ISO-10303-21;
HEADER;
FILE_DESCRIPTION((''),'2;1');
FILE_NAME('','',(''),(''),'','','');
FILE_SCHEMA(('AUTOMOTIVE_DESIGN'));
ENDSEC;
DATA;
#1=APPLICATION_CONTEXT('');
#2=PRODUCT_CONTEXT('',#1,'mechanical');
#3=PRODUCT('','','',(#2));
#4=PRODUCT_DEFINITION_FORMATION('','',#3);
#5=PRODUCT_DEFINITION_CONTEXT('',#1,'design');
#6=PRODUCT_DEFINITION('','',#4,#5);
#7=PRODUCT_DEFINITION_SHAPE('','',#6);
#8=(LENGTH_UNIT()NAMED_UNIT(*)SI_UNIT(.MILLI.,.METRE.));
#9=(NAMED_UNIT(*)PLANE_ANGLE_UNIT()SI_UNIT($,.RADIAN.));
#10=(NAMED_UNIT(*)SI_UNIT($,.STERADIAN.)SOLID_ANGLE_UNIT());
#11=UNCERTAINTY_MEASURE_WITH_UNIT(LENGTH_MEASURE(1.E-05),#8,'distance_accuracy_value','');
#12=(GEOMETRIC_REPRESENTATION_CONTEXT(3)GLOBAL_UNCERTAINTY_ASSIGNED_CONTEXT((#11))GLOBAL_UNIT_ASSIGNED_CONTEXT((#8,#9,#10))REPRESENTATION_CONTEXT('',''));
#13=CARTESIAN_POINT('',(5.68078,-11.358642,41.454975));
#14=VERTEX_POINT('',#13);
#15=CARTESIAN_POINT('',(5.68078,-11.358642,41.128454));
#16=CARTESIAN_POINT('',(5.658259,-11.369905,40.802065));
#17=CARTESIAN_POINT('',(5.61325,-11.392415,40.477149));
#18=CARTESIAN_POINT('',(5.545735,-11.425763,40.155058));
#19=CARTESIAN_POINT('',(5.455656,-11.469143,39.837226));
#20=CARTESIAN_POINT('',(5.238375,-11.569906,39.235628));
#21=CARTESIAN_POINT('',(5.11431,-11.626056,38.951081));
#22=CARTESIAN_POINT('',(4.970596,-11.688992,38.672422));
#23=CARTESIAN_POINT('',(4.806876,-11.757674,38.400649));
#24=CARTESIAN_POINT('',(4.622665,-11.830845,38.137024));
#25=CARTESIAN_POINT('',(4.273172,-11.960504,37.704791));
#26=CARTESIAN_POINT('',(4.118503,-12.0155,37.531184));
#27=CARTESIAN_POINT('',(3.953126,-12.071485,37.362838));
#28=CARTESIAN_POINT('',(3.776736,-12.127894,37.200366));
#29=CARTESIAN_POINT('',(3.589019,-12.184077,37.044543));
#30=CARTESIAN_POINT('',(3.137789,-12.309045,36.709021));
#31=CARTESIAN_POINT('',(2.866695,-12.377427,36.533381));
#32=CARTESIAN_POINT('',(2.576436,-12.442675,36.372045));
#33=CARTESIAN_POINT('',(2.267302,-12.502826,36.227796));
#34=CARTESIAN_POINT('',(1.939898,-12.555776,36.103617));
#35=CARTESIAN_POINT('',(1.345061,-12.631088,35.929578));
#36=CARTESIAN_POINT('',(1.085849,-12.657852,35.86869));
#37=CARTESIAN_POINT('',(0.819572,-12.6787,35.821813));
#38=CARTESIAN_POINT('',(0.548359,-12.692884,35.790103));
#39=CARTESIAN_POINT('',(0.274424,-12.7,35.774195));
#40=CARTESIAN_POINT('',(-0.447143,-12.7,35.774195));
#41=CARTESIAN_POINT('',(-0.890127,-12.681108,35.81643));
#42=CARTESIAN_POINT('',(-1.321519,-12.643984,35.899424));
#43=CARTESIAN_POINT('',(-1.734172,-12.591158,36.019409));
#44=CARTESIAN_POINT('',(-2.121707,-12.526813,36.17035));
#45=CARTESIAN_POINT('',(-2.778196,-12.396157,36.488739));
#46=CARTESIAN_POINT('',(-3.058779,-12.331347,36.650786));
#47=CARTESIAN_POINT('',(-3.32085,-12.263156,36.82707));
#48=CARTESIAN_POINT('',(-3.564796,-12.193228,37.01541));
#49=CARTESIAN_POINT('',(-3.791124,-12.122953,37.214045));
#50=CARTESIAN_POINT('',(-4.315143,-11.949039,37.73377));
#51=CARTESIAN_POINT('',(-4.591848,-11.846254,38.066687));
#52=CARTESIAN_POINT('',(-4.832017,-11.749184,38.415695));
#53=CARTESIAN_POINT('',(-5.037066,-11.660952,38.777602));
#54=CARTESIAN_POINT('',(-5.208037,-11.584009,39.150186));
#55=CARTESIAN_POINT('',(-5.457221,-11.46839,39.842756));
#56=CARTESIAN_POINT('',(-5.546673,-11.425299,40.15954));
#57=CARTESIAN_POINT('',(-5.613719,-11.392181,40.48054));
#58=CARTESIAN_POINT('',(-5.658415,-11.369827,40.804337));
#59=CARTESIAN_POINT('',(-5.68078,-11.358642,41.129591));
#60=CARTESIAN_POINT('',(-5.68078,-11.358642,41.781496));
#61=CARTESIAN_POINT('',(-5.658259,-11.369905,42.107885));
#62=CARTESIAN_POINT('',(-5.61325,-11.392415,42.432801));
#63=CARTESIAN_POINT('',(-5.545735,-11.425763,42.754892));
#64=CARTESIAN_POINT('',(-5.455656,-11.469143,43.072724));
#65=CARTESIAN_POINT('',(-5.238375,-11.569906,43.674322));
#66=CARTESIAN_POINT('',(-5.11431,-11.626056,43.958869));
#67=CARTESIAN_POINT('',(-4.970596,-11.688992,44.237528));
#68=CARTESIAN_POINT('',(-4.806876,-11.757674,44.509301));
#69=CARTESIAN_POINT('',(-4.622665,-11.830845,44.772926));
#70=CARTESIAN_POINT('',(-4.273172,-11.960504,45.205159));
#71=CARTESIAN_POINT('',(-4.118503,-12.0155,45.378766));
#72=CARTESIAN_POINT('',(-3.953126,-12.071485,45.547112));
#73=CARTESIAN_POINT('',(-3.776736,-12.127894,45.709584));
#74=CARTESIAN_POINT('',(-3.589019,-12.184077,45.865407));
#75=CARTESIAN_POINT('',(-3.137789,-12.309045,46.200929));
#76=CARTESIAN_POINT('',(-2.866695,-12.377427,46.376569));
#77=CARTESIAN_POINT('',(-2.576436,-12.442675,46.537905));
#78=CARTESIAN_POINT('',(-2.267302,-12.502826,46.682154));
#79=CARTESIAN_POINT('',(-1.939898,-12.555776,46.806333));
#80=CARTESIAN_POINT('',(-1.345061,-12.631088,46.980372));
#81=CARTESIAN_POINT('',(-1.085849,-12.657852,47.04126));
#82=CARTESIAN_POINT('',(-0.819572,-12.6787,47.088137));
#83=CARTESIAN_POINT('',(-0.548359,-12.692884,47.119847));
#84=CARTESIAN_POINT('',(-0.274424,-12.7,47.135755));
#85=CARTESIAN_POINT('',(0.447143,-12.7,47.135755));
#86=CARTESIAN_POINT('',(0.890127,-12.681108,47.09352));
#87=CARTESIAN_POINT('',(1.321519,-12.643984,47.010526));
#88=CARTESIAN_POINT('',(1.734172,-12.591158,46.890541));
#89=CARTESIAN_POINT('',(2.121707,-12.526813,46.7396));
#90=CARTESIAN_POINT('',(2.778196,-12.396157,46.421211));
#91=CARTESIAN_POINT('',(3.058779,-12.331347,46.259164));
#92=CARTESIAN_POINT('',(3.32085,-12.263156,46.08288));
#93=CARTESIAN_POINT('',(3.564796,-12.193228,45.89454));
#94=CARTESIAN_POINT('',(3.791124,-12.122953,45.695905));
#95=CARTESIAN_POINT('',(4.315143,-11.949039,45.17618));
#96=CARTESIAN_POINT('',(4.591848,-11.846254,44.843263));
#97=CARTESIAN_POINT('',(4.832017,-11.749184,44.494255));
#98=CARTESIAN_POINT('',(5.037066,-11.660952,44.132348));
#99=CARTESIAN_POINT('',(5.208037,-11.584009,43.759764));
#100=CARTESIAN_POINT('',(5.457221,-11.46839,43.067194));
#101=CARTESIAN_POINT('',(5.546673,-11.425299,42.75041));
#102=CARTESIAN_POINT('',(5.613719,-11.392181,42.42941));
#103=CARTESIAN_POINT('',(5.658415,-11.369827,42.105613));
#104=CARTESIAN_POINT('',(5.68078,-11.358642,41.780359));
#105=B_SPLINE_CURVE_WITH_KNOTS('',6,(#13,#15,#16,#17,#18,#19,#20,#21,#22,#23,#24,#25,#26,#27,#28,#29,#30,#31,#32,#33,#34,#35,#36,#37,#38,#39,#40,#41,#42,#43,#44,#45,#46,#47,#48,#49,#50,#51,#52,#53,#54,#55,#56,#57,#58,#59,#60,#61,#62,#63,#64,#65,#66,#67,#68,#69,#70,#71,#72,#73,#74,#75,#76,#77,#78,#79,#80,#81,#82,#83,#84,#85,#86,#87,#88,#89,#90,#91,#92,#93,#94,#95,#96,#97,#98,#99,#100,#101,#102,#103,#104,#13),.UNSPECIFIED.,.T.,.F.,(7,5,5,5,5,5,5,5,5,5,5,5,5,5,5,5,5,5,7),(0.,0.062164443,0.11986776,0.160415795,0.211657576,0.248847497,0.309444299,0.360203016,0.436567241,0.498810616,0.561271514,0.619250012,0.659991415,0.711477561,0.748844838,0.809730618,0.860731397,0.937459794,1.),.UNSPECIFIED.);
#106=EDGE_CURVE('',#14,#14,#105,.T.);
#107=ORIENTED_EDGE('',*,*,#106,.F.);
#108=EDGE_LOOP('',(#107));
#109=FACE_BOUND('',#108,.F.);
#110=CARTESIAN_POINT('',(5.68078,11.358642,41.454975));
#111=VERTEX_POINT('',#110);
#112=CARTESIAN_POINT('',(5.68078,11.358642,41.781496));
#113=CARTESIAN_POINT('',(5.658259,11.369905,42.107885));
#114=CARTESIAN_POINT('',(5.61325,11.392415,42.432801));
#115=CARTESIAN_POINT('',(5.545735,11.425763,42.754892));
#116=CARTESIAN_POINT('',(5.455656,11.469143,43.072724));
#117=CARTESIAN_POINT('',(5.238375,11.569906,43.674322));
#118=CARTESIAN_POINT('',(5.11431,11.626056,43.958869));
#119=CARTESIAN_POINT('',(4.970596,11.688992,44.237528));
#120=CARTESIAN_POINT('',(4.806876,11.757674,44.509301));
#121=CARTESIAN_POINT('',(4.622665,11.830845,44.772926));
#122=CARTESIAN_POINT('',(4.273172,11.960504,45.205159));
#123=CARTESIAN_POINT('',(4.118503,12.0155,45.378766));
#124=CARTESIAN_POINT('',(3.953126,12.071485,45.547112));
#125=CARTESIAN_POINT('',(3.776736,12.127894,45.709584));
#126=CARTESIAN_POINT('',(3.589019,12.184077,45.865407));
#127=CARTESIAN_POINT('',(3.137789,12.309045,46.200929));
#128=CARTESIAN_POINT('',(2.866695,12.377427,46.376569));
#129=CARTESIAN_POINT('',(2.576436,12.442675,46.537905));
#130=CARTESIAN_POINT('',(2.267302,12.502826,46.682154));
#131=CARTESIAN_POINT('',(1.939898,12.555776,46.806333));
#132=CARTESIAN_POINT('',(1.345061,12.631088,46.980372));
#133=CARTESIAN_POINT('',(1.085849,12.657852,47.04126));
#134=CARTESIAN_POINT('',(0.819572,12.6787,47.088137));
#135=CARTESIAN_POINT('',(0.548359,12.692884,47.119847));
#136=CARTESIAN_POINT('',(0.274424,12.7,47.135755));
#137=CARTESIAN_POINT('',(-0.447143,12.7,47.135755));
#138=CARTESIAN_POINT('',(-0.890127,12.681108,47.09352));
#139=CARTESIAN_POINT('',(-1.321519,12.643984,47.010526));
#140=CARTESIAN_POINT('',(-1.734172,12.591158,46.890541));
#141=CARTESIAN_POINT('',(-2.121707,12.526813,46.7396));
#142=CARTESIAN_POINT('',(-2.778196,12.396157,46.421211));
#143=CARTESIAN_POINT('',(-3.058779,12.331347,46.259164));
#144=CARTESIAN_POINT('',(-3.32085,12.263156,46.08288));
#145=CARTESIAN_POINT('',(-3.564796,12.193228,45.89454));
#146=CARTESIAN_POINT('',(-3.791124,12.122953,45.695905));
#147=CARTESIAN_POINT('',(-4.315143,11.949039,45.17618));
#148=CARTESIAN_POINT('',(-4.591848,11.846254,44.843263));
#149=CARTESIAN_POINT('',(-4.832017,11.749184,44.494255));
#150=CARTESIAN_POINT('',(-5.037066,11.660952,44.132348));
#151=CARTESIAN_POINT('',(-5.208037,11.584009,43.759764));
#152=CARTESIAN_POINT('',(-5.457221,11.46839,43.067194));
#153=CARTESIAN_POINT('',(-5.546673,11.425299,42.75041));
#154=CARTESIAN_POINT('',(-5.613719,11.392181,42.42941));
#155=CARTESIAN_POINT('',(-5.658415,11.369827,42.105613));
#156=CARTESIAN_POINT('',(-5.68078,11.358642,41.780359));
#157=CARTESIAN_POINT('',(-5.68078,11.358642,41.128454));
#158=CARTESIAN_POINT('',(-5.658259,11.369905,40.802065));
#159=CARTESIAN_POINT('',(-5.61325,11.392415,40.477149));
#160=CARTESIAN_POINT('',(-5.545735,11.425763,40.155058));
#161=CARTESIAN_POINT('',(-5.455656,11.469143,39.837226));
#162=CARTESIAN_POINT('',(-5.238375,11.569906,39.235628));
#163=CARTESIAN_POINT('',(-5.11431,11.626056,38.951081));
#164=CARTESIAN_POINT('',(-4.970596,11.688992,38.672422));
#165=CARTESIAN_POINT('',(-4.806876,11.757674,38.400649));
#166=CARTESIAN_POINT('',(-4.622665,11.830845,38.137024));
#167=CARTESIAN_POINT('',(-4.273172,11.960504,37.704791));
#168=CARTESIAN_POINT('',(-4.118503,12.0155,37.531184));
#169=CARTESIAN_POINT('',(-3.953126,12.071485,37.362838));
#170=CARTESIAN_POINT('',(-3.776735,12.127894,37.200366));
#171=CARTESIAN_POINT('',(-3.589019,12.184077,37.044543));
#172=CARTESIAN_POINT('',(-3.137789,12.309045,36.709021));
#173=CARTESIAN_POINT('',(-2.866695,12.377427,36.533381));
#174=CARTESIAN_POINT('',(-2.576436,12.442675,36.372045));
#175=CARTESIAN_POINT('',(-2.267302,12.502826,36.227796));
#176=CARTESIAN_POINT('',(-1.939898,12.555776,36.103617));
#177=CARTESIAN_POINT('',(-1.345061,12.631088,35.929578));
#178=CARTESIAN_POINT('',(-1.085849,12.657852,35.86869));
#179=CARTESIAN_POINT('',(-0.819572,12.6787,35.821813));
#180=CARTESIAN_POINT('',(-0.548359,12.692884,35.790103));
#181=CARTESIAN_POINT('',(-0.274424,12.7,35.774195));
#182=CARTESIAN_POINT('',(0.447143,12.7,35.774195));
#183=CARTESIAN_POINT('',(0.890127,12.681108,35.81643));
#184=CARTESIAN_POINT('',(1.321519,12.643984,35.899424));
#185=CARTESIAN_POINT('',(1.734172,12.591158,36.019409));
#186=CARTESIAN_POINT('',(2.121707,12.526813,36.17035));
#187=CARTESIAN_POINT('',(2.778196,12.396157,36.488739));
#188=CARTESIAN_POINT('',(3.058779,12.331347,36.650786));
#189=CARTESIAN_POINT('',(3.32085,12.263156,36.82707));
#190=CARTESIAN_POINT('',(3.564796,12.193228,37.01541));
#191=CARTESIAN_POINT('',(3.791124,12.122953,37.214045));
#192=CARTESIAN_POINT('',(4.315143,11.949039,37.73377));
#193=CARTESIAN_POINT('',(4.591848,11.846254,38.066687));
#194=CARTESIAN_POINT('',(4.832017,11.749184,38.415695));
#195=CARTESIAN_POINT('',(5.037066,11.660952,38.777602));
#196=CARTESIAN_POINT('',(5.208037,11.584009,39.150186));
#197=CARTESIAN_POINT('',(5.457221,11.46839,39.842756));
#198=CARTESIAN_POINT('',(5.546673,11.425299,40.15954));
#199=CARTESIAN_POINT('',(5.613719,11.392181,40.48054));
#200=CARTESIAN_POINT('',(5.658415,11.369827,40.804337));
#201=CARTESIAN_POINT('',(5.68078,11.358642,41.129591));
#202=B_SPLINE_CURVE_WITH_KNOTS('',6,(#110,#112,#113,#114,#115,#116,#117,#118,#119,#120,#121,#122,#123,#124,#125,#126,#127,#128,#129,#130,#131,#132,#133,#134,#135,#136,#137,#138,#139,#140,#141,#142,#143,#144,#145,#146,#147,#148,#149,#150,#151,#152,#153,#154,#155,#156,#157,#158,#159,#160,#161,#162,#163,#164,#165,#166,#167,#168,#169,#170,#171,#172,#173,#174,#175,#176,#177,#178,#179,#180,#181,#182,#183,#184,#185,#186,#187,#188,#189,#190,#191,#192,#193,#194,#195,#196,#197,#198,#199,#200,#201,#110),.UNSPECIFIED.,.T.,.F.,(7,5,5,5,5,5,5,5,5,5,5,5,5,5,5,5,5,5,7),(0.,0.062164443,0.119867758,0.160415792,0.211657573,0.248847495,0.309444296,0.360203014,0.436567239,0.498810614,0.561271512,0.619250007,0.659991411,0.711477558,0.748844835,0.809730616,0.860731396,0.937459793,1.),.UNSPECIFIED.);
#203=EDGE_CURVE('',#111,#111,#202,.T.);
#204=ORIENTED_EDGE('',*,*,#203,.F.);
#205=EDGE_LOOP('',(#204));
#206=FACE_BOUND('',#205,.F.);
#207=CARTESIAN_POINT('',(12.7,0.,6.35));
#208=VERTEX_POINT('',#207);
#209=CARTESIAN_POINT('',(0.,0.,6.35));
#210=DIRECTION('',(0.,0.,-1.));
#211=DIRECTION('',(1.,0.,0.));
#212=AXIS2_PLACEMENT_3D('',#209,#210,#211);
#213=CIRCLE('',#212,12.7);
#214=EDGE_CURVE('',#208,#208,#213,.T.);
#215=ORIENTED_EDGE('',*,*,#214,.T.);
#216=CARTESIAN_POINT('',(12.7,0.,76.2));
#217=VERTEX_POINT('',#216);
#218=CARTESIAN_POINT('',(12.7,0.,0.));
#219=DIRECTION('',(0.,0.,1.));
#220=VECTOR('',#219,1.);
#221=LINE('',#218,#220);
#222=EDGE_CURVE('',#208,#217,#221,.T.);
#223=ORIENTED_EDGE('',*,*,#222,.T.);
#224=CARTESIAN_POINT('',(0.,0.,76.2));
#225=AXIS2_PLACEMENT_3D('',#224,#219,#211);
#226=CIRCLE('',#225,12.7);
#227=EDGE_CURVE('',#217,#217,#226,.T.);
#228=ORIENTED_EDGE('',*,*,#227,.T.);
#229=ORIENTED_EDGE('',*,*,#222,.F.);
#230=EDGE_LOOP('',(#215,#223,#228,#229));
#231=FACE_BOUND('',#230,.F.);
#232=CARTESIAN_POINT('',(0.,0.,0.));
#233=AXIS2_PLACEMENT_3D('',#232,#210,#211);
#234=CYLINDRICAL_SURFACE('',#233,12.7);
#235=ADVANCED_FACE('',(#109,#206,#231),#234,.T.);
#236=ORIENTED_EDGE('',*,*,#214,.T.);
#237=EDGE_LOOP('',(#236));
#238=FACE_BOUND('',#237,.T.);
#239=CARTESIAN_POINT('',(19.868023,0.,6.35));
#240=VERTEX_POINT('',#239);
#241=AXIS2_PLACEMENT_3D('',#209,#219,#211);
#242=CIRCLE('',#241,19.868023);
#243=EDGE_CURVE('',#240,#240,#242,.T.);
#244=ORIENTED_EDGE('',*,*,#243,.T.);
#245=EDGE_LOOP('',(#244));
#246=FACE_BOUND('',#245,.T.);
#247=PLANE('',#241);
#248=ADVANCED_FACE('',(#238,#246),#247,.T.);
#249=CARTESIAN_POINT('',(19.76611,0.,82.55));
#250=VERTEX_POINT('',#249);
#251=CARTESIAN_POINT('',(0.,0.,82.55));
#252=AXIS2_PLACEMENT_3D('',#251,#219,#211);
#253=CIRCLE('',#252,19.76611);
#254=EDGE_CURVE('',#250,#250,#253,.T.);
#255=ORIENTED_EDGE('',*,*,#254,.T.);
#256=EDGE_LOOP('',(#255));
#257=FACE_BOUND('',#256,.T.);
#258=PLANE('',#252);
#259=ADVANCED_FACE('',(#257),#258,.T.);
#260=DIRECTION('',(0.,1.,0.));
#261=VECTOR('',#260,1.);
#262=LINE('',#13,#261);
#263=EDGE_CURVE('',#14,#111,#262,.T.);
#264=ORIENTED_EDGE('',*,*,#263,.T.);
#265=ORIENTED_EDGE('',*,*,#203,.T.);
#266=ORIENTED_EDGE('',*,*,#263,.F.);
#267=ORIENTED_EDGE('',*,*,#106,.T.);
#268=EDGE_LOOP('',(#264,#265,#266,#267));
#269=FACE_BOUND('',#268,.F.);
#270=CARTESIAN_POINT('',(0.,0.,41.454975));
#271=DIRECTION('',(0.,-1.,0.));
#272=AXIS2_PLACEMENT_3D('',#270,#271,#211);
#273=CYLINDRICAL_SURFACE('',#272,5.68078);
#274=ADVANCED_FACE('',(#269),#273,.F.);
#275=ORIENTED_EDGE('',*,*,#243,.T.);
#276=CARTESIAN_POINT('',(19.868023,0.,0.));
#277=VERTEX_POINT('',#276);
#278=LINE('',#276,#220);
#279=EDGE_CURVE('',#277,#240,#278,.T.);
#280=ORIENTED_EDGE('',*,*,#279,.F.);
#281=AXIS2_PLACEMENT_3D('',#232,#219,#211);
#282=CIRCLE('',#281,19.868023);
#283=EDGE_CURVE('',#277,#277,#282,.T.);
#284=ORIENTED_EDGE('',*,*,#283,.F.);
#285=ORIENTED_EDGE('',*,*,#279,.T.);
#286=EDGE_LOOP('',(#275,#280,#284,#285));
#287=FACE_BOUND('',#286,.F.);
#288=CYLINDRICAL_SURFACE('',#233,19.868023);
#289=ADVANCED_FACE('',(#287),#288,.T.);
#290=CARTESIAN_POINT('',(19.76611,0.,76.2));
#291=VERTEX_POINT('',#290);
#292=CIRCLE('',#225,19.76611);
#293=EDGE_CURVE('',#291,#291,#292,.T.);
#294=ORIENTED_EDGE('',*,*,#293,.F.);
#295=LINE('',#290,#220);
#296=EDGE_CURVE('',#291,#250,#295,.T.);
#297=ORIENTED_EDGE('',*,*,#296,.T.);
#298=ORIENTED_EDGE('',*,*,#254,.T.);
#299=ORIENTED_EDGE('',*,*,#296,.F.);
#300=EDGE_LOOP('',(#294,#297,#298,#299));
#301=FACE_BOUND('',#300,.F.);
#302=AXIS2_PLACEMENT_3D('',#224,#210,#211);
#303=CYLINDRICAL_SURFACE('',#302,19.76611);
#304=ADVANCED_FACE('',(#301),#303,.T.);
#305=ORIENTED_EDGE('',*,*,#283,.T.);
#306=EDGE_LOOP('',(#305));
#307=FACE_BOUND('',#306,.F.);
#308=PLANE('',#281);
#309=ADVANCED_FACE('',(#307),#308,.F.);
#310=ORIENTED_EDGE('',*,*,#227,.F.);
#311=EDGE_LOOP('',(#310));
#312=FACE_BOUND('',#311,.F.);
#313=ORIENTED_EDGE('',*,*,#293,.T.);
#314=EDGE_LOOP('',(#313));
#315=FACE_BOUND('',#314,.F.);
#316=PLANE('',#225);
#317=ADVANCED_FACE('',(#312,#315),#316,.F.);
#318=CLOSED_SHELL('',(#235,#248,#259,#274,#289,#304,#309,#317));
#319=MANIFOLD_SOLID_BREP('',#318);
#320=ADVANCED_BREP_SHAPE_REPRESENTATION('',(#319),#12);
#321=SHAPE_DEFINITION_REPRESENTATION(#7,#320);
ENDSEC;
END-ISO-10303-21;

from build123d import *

# Parameters (mm, degrees)
F0_R      = 12.7
F1_DEPTH  = 76.2
F2_R      = 19.868023
F3_DEPTH  = 6.35
F4_R      = 19.76611
F5_DEPTH  = 6.35
F6_R      = 5.68078
F7_DEPTH  = 508
F7_FACE_R = 5.68078
F8_DEPTH  = 1270


with BuildPart() as f1:
    # F0 (on Top) → F1 (new body)
    with BuildSketch(Plane.XY):
        Circle(F0_R)
    extrude(amount=F1_DEPTH)

    # F2 (on Top) → F3 (join)
    with BuildSketch(Plane.XY):
        Circle(F2_R)
    extrude(amount=F3_DEPTH)

    # F4 (on face) → F5 (join)
    with BuildSketch(Plane.XY.offset(76.2)):
        Circle(F4_R)
    extrude(amount=F5_DEPTH)

    # F6 (on Front) → F7 (cut)
    with BuildSketch(Plane.XZ):
        with Locations((0, 41.454975)):
            Circle(F6_R)
    extrude(amount=-F7_DEPTH, mode=Mode.SUBTRACT)

    # F7_face (on face) → F8 (cut)
    with BuildSketch(Plane(origin=(0, 0, 41.454975), x_dir=(1, 0, 0), z_dir=(0, 1, 0))):
        Circle(F7_FACE_R)
    extrude(amount=-F8_DEPTH, mode=Mode.SUBTRACT)


solid = f1.part
